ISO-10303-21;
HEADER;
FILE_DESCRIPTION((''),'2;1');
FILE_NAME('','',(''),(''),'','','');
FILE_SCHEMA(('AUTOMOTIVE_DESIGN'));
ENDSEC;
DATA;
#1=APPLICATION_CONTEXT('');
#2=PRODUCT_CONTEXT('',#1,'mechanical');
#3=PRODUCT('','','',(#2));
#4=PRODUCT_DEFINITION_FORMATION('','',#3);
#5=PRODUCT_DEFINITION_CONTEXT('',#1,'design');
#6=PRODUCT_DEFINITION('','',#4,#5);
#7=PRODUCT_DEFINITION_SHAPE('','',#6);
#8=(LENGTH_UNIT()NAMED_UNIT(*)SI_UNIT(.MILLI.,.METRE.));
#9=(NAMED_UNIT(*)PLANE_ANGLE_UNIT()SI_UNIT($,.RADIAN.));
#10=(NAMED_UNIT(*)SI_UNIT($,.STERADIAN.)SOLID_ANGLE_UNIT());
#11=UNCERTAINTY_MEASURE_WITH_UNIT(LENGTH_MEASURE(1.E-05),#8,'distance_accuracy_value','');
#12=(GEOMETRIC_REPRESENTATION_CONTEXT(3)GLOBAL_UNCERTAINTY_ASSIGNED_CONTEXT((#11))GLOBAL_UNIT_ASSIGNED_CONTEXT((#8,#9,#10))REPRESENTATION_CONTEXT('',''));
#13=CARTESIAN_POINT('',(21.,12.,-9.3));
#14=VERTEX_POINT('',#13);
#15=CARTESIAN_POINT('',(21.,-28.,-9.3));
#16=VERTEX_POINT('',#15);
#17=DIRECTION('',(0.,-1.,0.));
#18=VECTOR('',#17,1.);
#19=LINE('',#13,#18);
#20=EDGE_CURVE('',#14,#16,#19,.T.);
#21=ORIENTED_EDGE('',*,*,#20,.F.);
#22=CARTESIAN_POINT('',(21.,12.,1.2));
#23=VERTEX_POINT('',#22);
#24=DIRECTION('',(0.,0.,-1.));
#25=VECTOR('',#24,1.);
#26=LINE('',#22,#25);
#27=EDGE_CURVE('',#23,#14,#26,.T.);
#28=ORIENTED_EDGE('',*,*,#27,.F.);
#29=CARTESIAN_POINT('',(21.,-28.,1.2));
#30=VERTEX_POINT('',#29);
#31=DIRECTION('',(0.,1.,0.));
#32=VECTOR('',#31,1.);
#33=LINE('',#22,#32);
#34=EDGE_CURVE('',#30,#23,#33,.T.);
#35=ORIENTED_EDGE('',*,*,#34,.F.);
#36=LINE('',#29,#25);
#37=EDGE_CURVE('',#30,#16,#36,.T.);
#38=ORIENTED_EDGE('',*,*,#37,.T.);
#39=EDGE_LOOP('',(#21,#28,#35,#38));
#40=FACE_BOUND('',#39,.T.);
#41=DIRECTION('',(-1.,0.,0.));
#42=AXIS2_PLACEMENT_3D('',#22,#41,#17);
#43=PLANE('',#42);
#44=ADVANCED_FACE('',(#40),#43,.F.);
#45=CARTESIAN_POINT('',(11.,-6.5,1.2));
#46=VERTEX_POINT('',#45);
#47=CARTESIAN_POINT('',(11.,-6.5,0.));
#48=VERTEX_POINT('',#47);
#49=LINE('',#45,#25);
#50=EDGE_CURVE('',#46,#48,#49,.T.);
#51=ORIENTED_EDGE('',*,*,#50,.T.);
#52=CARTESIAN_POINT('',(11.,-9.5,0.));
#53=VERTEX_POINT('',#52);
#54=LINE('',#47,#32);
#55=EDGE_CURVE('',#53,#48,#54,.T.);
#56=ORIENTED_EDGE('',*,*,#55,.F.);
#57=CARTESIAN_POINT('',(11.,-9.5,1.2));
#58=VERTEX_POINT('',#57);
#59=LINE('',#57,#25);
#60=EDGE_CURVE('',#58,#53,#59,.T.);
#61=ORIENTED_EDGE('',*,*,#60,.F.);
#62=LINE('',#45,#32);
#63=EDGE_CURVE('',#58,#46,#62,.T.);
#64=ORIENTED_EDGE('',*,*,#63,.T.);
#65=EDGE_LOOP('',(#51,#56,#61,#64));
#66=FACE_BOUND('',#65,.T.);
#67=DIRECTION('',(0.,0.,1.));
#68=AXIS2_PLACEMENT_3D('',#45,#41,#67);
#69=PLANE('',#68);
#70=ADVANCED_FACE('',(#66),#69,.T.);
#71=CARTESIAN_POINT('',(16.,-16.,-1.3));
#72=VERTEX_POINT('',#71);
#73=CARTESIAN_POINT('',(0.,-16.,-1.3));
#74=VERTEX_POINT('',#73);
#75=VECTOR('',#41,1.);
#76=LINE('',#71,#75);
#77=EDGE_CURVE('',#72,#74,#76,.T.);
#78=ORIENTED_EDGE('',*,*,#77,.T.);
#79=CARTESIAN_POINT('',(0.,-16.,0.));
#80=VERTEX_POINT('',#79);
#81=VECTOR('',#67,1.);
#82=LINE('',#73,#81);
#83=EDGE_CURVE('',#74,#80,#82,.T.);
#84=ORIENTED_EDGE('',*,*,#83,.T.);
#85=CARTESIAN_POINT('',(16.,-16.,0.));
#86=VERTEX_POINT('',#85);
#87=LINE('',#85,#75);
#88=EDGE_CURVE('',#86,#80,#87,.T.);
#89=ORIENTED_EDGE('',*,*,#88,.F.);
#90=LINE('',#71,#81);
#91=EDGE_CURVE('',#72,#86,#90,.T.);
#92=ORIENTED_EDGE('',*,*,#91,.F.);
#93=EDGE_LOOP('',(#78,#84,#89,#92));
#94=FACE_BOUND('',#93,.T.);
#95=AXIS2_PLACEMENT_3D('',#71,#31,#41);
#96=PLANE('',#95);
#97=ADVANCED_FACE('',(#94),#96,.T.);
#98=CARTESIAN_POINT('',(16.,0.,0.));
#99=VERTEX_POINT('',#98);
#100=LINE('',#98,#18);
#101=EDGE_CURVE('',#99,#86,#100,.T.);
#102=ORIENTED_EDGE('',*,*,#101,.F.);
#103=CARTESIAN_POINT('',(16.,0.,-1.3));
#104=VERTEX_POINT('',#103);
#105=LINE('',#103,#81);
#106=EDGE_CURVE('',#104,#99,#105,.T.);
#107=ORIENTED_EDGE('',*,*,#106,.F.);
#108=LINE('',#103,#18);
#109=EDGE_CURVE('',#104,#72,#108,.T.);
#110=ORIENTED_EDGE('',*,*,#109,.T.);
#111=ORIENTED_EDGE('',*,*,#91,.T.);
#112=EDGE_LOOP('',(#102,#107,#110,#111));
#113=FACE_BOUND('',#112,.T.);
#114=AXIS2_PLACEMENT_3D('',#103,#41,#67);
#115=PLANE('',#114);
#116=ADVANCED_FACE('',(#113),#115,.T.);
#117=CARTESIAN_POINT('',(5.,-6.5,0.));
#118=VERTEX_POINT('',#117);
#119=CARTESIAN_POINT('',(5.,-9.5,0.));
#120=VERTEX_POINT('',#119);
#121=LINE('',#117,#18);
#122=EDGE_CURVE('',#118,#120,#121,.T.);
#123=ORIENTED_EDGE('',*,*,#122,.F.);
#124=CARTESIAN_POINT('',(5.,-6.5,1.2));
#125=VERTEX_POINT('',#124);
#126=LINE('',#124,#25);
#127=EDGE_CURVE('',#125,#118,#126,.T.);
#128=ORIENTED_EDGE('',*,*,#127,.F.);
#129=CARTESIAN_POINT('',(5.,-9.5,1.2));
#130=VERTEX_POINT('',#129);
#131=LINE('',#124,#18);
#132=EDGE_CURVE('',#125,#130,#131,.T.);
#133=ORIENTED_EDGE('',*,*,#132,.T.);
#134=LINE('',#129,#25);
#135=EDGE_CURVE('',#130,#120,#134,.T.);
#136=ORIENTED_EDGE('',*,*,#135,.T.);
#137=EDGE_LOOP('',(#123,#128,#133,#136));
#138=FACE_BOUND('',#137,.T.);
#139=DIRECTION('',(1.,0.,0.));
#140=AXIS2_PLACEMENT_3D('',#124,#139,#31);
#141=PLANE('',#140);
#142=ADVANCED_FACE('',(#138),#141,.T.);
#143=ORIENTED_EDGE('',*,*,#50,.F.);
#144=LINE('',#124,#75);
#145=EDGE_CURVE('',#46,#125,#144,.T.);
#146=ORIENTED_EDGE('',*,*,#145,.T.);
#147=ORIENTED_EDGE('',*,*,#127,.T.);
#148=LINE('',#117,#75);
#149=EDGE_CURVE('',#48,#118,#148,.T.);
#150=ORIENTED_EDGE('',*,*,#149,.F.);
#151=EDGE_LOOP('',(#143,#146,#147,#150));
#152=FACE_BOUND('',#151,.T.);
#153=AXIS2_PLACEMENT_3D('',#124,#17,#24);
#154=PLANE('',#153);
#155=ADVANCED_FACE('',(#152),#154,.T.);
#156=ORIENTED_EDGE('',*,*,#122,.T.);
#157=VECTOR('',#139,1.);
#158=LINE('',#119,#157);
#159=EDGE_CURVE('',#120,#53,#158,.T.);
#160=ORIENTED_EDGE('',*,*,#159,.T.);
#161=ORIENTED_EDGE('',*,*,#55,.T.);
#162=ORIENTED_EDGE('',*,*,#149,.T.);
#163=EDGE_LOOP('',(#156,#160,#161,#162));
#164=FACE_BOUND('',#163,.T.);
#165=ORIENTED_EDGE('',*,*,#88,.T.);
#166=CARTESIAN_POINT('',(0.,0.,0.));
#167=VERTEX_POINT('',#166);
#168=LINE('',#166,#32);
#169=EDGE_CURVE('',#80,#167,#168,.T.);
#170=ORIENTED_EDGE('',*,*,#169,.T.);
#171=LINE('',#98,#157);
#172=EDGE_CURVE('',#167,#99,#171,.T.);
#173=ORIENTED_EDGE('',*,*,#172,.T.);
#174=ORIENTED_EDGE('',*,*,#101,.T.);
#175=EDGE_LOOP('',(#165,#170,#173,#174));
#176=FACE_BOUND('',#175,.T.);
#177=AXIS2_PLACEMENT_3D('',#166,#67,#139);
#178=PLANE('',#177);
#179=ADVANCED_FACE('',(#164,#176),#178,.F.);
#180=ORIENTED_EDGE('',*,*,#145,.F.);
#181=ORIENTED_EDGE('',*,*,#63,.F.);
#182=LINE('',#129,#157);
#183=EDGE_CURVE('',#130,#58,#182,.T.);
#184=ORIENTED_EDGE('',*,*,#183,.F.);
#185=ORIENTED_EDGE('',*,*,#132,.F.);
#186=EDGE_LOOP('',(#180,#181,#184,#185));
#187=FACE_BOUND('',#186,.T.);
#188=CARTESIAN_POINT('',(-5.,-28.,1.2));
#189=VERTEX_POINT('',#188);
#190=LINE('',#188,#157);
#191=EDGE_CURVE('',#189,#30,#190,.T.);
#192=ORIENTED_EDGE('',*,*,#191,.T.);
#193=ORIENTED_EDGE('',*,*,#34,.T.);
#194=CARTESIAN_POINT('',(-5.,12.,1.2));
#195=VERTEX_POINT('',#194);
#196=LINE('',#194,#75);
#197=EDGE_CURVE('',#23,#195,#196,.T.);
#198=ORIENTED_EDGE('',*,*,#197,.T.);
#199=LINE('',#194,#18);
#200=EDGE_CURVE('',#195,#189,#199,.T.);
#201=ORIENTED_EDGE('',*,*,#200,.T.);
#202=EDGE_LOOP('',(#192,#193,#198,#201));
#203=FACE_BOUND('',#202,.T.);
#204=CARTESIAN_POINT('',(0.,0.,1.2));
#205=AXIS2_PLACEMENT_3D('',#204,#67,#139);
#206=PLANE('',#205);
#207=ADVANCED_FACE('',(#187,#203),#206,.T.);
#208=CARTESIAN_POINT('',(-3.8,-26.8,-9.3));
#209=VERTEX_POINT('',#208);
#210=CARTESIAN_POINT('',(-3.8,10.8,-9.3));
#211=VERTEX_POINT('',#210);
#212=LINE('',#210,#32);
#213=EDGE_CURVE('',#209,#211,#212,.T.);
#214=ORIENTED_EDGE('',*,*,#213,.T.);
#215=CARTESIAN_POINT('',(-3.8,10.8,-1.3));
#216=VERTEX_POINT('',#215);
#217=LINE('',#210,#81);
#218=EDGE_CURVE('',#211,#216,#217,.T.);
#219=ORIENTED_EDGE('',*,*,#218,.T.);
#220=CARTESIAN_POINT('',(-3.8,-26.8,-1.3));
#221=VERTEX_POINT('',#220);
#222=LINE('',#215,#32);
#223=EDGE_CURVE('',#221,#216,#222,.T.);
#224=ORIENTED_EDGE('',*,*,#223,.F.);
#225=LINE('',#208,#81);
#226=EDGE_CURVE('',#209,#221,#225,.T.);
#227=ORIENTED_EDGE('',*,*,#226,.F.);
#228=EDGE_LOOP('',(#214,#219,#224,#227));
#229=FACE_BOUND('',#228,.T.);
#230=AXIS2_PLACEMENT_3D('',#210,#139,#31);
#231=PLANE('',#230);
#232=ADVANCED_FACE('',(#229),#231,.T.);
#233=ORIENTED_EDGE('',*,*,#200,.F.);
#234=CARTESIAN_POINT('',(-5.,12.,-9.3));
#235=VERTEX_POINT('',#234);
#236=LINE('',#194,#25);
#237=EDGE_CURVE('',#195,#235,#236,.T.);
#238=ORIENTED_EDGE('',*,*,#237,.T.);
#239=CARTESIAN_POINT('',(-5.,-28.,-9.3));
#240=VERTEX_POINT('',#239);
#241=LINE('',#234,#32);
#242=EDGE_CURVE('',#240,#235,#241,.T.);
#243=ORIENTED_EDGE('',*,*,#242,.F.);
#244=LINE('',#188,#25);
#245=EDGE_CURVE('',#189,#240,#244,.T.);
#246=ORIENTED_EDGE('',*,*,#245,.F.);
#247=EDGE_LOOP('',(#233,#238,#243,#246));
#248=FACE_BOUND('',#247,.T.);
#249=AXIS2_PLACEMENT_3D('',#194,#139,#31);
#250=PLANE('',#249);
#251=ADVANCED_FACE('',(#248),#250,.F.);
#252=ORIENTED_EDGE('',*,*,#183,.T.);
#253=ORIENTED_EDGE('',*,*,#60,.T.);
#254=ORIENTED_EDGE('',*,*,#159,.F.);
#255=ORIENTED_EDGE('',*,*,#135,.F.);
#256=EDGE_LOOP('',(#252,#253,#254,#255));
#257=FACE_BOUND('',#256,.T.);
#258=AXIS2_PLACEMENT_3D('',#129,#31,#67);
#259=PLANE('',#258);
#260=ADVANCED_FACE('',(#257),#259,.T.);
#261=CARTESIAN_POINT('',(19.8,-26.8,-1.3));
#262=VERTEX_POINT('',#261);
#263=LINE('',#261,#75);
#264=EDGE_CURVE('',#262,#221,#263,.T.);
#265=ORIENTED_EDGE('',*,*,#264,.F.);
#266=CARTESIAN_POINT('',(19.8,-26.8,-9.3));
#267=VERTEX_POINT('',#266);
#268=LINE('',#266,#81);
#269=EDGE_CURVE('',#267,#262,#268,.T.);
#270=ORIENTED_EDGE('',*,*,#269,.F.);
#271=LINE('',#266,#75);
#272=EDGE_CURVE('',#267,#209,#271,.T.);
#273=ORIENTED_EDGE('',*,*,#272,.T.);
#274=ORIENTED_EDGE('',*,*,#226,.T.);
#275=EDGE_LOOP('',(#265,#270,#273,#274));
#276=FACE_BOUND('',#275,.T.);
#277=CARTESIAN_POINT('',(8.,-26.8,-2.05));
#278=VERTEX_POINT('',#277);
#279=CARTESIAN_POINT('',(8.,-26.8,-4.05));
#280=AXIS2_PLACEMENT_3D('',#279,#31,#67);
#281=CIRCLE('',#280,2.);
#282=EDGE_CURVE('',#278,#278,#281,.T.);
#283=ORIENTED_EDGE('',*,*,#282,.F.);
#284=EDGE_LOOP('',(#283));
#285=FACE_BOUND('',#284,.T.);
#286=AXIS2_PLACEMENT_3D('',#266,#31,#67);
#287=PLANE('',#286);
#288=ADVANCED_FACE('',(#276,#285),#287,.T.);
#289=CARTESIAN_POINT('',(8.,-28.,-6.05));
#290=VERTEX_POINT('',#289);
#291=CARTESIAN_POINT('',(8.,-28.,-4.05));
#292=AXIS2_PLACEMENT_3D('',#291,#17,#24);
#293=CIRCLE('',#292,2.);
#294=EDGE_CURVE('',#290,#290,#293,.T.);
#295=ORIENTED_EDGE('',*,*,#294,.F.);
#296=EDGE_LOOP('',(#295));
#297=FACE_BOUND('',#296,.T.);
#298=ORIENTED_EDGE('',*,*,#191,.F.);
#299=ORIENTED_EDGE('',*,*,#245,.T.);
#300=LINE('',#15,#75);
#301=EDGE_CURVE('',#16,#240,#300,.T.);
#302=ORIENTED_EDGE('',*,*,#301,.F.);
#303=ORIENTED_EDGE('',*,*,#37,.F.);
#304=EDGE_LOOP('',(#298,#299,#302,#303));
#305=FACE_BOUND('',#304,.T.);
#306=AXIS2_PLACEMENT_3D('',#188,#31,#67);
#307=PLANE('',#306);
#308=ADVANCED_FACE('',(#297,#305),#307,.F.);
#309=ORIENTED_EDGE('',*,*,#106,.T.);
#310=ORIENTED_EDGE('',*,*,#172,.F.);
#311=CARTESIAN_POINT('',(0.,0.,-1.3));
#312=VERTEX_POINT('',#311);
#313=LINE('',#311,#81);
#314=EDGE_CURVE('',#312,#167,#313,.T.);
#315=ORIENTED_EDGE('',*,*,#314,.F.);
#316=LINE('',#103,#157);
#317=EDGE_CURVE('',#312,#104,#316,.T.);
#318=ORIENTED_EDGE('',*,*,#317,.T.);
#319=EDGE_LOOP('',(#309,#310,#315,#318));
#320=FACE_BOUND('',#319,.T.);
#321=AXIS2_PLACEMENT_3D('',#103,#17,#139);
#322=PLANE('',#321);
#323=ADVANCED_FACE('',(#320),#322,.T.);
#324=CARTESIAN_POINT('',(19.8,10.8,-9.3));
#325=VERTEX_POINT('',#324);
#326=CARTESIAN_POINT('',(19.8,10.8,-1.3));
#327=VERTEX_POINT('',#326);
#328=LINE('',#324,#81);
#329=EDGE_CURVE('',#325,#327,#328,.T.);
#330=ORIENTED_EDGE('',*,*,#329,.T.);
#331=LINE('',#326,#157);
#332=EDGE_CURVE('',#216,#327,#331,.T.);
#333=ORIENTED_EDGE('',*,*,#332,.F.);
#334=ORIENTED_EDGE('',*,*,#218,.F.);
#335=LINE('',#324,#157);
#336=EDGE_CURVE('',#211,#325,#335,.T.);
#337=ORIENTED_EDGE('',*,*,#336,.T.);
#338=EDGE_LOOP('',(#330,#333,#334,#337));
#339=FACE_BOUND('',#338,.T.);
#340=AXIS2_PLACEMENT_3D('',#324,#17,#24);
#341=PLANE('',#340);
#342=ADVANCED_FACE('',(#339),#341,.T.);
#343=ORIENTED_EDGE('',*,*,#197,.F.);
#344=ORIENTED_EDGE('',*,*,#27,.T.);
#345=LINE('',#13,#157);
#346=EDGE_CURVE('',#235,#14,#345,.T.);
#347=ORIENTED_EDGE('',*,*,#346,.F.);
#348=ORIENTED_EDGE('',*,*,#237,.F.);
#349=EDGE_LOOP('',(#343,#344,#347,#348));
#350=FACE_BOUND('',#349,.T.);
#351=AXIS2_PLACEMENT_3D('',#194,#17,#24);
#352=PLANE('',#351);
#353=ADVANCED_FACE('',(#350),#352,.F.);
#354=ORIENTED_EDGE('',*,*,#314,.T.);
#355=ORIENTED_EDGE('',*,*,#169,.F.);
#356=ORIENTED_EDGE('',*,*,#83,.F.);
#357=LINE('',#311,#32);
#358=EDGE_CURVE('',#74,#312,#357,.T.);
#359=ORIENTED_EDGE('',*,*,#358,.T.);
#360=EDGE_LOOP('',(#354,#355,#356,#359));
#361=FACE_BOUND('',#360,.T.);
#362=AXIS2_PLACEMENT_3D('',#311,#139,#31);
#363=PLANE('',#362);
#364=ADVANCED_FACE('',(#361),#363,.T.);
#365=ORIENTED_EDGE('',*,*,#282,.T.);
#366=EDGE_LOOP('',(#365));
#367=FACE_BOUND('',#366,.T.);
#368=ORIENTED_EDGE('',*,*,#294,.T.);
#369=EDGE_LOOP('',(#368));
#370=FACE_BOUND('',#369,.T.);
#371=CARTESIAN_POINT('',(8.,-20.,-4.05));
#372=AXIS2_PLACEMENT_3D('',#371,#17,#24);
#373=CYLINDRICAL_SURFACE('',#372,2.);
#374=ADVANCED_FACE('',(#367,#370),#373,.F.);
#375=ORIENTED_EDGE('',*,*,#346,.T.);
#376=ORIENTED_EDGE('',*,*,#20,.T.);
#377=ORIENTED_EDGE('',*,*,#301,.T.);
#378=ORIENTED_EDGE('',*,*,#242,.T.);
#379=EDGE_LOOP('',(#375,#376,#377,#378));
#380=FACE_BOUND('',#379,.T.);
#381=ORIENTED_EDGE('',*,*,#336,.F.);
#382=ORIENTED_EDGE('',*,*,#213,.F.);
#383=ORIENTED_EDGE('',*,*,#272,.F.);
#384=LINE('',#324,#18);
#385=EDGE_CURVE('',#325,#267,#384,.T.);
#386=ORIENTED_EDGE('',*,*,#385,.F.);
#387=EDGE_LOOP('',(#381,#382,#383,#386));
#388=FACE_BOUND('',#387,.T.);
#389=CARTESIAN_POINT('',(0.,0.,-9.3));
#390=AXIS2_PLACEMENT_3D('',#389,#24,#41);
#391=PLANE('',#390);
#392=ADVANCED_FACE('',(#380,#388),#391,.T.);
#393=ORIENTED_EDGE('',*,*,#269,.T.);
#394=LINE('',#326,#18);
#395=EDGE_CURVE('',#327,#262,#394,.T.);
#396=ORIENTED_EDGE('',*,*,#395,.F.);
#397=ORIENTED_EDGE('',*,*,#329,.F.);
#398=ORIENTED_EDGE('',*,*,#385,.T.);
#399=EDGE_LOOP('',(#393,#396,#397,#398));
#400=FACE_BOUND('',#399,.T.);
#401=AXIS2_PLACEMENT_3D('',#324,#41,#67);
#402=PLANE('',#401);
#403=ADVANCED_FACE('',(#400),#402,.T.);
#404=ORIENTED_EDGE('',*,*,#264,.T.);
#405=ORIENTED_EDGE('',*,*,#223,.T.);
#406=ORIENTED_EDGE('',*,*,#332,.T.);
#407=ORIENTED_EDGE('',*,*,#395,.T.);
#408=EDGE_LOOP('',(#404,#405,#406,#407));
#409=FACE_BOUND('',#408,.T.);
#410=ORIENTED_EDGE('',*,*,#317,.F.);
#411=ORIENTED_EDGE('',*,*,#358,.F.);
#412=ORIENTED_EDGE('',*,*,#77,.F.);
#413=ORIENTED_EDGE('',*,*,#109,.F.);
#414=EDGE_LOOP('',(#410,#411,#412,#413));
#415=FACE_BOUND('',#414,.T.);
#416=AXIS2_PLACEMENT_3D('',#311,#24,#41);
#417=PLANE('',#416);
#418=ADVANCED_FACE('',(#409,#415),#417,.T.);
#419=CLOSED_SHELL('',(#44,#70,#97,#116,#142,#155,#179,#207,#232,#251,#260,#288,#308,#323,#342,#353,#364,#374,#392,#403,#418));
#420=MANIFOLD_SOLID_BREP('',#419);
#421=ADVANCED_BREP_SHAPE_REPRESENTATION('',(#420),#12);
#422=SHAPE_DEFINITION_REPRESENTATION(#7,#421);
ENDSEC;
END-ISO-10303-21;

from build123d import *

# Parameters (mm, degrees)
SKETCH1_W           = 26
SKETCH1_H           = 40
SKETCH1_W_2         = 6
SKETCH1_H_2         = 3
BOSS_EXTRUDE1_DEPTH = 1.2
SKETCH2_W           = 26
SKETCH2_H           = 40
SKETCH2_W_2         = 16
SKETCH2_H_2         = 16
BOSS_EXTRUDE2_DEPTH = 1.3
SKETCH5_W           = 26
SKETCH5_H           = 40
SKETCH5_W_2         = 23.6
SKETCH5_H_2         = 37.6
BOSS_EXTRUDE3_DEPTH = 8
SKETCH6_R           = 2
CUT_EXTRUDE1_DEPTH  = 8


with BuildPart() as part:
    # Sketch1 → Boss-Extrude1 (new body)
    with BuildSketch(Plane.XY):
        with Locations((8, -8)):
            Rectangle(SKETCH1_W, SKETCH1_H)
        with Locations((8, -8)):
            Rectangle(SKETCH1_W_2, SKETCH1_H_2, mode=Mode.SUBTRACT)
    extrude(amount=BOSS_EXTRUDE1_DEPTH)

    # Sketch2 → Boss-Extrude2 (add)
    with BuildSketch(Plane(origin=(0, 0, 0), x_dir=(-1, 0, 0), z_dir=(0, 0, -1))):
        with Locations((-8, -8)):
            Rectangle(SKETCH2_W, SKETCH2_H)
        with Locations((-8, -8)):
            Rectangle(SKETCH2_W_2, SKETCH2_H_2, mode=Mode.SUBTRACT)
    extrude(amount=BOSS_EXTRUDE2_DEPTH)

    # Sketch5 → Boss-Extrude3 (add)
    with BuildSketch(Plane(origin=(0, 0, -1.3), x_dir=(-1, 0, 0), z_dir=(0, 0, -1))):
        with Locations((-8, -8)):
            Rectangle(SKETCH5_W, SKETCH5_H)
        with Locations((-8, -8)):
            Rectangle(SKETCH5_W_2, SKETCH5_H_2, mode=Mode.SUBTRACT)
    extrude(amount=BOSS_EXTRUDE3_DEPTH)

    # Sketch6 → Cut-Extrude1 (cut)
    with BuildSketch(Plane.XZ.offset(28)):
        with Locations(Location((8, -4.05, 0), (0, 0, 270))):
            Circle(SKETCH6_R)
    extrude(amount=-CUT_EXTRUDE1_DEPTH, mode=Mode.SUBTRACT)


solid = part.part
